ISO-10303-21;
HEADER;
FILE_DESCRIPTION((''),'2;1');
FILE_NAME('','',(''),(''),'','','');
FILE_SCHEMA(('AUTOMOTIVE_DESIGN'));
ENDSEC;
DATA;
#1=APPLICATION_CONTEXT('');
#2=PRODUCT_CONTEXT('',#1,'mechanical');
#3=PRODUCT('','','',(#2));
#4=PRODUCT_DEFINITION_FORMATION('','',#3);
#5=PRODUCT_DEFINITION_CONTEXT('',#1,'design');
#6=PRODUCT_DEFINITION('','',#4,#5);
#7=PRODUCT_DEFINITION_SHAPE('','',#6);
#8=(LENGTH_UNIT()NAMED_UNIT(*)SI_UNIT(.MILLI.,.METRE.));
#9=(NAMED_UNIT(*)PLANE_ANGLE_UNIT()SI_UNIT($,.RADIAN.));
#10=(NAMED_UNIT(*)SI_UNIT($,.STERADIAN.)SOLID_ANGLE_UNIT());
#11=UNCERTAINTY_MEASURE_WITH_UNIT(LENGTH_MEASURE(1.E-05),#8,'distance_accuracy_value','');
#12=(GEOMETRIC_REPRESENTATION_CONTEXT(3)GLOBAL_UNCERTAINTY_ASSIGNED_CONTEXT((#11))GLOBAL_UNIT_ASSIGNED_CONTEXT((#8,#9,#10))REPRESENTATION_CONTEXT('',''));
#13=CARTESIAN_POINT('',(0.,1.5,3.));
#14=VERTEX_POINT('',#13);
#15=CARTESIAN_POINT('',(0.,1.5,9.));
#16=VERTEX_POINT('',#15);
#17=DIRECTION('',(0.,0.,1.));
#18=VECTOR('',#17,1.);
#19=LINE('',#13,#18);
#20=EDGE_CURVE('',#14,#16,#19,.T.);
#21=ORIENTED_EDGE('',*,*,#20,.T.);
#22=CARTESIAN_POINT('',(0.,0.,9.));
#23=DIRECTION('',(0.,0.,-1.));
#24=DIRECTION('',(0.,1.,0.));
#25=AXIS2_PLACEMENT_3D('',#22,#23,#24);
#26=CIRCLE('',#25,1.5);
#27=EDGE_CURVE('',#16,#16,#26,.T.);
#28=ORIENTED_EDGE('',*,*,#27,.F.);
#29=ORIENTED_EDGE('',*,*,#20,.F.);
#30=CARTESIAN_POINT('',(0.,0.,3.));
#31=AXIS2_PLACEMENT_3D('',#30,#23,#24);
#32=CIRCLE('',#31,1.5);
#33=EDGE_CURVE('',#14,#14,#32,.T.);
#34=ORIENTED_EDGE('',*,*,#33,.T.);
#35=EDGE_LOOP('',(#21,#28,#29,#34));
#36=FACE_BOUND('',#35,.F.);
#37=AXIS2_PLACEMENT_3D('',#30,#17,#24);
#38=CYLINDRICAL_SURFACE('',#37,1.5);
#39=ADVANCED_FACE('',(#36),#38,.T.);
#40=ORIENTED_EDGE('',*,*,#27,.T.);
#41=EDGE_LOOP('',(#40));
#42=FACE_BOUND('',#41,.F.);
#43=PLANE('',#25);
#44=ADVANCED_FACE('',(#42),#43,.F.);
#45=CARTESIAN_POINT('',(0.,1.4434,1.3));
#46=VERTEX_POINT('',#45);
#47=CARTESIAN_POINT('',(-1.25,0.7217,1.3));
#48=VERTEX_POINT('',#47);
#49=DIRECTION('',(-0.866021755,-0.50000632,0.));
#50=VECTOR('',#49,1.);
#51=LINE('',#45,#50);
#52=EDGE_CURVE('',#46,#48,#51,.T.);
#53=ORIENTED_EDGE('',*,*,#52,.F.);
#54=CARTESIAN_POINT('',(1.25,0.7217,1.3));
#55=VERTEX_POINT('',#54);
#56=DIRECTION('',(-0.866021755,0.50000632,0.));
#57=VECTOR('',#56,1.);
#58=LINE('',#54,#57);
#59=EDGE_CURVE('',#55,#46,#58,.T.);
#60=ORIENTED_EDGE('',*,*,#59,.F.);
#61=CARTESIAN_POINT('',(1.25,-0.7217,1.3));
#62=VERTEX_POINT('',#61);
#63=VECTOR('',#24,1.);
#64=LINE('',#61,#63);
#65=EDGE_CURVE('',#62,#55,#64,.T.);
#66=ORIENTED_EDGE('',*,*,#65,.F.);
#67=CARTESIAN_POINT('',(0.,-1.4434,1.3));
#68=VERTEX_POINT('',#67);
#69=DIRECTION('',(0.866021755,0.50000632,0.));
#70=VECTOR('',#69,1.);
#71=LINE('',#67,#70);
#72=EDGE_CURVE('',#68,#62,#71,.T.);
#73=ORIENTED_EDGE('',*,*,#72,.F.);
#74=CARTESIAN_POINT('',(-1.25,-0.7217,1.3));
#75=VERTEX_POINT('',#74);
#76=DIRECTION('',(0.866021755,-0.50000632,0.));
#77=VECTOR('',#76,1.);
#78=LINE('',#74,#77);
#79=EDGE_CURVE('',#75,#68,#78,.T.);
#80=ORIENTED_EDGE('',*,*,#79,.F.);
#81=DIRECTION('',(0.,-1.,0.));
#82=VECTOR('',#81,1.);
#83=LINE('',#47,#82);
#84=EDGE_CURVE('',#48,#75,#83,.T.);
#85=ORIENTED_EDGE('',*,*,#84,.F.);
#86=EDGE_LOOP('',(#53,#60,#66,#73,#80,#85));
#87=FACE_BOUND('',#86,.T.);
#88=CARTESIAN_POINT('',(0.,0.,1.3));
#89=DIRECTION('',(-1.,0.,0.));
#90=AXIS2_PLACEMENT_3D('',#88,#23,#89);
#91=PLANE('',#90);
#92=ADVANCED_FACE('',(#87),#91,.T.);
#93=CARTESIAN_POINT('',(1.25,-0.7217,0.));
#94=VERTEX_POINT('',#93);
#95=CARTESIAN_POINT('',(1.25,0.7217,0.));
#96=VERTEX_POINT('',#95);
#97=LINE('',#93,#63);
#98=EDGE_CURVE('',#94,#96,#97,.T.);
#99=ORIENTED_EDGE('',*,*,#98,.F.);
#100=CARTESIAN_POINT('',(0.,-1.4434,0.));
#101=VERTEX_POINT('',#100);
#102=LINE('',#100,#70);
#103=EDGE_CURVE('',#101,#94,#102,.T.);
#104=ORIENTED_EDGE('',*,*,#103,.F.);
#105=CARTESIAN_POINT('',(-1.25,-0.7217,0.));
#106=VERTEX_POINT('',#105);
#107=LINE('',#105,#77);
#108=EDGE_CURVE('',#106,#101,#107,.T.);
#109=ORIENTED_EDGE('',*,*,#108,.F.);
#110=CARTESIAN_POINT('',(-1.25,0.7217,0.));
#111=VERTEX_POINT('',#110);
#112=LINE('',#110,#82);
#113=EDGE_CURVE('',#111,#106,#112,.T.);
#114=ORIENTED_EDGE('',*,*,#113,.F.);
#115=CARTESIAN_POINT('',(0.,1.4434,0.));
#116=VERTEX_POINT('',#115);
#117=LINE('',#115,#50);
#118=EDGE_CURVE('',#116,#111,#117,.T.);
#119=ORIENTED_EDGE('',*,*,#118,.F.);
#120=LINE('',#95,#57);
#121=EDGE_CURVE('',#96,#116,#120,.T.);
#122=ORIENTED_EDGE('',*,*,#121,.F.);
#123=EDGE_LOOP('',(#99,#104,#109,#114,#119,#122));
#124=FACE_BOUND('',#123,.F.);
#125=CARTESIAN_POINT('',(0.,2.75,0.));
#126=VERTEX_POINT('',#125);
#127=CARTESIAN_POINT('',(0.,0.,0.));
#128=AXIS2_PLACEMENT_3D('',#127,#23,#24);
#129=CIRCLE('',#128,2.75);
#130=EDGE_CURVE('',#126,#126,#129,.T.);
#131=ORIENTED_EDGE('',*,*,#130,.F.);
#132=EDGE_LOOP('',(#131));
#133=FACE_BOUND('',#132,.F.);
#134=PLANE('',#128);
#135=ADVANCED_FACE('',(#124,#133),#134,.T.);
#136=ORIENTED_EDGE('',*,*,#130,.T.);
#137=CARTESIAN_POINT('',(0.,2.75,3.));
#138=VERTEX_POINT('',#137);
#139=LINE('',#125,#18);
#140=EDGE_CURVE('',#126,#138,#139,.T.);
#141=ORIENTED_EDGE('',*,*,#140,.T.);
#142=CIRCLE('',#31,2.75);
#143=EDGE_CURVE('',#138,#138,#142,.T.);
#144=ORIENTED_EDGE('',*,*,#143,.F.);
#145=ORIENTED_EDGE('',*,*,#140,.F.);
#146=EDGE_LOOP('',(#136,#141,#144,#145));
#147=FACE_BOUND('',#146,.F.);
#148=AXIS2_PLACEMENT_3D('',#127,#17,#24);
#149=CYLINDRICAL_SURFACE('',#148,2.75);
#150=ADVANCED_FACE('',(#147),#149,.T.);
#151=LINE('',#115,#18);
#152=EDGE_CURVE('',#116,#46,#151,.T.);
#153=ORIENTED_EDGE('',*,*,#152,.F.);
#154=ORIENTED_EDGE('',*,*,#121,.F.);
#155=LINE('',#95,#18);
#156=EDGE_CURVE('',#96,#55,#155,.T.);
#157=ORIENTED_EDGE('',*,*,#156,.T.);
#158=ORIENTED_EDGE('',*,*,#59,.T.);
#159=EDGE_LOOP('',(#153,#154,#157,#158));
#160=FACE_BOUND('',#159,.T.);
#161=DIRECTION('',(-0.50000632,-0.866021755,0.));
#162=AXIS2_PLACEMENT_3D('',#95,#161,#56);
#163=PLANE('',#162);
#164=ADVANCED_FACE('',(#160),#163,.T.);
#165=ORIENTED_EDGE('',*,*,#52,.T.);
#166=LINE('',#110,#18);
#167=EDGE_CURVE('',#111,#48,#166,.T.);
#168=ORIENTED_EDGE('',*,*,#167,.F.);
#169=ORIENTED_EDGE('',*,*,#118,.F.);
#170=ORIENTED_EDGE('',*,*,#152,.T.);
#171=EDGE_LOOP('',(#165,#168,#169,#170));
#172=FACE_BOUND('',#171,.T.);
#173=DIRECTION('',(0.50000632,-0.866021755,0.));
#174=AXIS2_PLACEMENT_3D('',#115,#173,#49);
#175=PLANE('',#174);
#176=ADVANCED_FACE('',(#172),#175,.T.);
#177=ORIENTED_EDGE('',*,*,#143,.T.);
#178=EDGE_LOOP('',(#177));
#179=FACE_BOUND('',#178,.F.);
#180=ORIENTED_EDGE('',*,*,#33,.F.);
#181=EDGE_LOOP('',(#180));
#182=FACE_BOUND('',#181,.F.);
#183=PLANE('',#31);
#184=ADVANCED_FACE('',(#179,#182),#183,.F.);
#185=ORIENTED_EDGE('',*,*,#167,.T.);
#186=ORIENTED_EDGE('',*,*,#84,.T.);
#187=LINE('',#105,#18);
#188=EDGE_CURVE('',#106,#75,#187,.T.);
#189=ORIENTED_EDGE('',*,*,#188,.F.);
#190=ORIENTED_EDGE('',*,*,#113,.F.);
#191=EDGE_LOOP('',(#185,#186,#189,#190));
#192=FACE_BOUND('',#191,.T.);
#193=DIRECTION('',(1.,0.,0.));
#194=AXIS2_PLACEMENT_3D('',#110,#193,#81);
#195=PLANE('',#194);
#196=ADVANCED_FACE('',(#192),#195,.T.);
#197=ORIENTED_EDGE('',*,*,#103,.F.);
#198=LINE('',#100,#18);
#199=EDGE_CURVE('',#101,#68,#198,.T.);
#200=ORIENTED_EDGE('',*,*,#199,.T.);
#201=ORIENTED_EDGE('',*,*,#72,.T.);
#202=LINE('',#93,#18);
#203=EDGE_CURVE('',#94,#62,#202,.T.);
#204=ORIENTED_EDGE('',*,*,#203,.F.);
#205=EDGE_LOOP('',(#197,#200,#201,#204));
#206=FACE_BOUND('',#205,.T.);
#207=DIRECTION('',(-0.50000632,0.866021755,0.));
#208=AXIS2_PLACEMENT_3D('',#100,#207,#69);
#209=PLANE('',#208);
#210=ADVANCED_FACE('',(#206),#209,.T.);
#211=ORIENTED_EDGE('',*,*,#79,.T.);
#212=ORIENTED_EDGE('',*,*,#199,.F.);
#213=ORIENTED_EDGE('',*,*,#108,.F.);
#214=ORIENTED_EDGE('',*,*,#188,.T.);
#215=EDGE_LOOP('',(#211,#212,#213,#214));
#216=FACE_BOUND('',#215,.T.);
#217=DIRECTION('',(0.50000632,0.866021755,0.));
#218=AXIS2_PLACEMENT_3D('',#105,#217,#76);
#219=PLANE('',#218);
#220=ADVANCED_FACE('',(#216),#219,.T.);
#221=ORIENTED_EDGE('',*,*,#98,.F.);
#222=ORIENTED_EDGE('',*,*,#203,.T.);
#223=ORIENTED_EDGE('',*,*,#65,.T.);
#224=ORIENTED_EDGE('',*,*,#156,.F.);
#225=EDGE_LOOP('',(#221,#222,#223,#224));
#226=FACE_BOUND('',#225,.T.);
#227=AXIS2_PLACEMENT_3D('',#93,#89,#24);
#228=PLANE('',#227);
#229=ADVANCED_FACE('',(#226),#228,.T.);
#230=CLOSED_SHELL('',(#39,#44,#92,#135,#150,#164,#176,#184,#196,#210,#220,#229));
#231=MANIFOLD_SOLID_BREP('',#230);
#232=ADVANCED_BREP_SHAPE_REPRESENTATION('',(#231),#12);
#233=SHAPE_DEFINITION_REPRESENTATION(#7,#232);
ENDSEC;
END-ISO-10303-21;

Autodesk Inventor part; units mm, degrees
ref_plane "YZ Plane" through (0, 0, 0) normal (1, 0, 0) x (0, 1, 0)
ref_plane "XZ Plane" through (0, 0, 0) normal (0, 1, 0) x (-1, 0, 0)
ref_plane "XY Plane" through (0, 0, 0) normal (0, 0, 1) x (1, 0, 0)
sketch "スケッチ1" plane through (0, 0, 0) normal (1, 0, 0) x (0, 1, 0)
  line L0 (0, 9) -> (0, 0)
  line L1 (0, 0) -> (2.75, 0)
  line L2 (2.75, 0) -> (2.75, 3)
  line L3 (2.75, 3) -> (1.5, 3)
  line L4 (1.5, 3) -> (1.5, 9)
  line L5 (1.5, 9) -> (0, 9)
  dimension "d2" = 3
  dimension "d10" = 6
  dimension "d11" = 3
  dimension "d12" = 5.5
revolve "回転1" add sketch "スケッチ1" angle 360 about axis through (0, 0, 9) along (0, 0, -1)
thread "ねじ1" size "M3x0.5" class "6g" standard "ANSI Metric M Profile" full length
sketch "スケッチ2" plane through (0, 0, 0) normal (0, 0, -1) x (-1, 0, 0)
  line L0 (0, 1.4434) -> (1.25, 0.7217)
  line L1 (1.25, 0.7217) -> (1.25, -0.7217)
  line L2 (1.25, -0.7217) -> (0, -1.4434)
  line L3 (0, -1.4434) -> (-1.25, -0.7217)
  line L4 (-1.25, -0.7217) -> (-1.25, 0.7217)
  line L5 (-1.25, 0.7217) -> (0, 1.4434)
  circle A0 centre (0, 0) radius 2.75 projected
  line L6 (0, 2.75) -> (0, -2.75) construction
  point P0 (0, 0)
  dimension "d7" = 2.5
extrude "押し出し1" cut sketch "スケッチ2" against normal blind 1.3 contours L0 L1 L2 L3 L4 L5
properties part number "UC-0306" material "ステンレス鋼 AISI 304"
